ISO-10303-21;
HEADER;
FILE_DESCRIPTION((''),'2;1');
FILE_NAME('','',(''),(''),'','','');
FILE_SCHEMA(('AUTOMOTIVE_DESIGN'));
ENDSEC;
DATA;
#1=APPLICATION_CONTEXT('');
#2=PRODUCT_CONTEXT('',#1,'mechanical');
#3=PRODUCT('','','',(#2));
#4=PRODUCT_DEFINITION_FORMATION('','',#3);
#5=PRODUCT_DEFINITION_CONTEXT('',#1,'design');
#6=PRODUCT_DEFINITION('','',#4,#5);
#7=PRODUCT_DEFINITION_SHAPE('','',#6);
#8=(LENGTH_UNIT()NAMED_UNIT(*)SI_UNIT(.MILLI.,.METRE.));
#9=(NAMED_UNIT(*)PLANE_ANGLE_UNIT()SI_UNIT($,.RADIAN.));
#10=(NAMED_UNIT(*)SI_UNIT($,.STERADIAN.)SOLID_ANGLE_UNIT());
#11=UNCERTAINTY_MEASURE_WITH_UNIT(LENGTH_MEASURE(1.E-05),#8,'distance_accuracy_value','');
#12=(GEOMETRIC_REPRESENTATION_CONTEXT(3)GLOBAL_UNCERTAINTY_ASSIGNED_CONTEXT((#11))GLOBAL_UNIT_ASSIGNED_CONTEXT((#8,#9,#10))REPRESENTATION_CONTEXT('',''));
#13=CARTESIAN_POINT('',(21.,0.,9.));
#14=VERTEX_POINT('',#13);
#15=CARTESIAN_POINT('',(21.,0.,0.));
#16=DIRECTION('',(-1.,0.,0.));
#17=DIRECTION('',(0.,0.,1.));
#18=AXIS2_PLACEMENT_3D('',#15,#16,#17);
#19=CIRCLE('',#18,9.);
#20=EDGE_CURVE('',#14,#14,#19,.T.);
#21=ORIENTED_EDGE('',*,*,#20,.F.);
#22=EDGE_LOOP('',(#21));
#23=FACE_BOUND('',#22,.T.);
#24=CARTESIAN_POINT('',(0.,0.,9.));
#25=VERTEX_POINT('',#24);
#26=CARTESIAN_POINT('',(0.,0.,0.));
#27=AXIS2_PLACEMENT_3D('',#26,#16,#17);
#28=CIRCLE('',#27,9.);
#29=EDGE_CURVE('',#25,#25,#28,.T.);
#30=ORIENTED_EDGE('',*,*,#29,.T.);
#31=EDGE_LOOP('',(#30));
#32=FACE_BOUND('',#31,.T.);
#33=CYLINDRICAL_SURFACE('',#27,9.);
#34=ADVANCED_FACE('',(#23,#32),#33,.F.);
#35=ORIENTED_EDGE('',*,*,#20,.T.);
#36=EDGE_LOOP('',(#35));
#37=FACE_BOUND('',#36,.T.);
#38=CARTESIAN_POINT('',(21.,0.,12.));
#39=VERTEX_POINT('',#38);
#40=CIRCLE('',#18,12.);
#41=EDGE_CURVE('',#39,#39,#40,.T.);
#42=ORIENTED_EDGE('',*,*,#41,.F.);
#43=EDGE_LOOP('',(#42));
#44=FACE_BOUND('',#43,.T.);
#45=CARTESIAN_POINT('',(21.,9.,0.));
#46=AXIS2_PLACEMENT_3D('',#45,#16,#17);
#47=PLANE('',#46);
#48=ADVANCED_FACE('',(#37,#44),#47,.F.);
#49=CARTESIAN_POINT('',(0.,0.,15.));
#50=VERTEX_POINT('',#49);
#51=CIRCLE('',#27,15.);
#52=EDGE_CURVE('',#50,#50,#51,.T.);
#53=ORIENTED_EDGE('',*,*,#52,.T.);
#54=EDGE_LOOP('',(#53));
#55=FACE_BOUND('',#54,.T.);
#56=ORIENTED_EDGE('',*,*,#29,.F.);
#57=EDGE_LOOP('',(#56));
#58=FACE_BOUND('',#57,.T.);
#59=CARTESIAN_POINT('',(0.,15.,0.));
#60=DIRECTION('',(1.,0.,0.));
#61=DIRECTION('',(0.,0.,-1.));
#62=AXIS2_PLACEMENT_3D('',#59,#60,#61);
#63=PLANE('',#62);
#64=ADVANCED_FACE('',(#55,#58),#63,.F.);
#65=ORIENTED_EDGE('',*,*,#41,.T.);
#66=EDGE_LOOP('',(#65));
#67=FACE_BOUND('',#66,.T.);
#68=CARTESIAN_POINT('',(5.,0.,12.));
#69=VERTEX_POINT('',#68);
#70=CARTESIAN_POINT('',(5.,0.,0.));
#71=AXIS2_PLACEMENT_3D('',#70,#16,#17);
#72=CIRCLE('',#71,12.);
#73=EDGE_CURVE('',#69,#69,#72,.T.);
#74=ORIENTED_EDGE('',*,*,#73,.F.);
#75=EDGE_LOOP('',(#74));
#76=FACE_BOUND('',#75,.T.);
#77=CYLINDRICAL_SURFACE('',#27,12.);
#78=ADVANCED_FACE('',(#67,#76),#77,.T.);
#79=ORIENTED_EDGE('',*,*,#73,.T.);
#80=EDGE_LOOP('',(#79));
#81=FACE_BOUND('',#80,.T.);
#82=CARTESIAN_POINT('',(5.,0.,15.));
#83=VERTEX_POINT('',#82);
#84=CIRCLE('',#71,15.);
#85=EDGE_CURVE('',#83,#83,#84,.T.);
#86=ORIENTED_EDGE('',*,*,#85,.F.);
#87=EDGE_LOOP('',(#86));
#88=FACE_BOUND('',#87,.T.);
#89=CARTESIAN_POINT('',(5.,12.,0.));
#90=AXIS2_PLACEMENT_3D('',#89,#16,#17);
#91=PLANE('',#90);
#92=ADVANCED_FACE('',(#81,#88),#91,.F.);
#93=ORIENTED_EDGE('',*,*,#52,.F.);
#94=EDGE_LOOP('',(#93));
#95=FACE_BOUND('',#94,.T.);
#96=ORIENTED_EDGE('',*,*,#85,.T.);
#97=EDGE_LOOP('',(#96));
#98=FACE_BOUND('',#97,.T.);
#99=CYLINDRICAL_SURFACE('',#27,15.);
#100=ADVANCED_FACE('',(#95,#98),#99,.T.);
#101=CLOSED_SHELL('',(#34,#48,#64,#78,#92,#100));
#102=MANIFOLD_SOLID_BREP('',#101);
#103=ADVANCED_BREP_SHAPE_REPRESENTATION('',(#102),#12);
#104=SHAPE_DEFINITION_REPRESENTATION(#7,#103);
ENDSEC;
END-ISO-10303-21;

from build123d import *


with BuildPart() as part:
    # Sketch1 → Revolve1 (revolve)
    with BuildSketch(Plane.XY):
        Polygon((0, 9), (21, 9), (21, 12), (5, 12), (5, 15), (0, 15), align=None)
    revolve(axis=Axis((0, 0, 0), (1, 0, 0)))


solid = part.part
